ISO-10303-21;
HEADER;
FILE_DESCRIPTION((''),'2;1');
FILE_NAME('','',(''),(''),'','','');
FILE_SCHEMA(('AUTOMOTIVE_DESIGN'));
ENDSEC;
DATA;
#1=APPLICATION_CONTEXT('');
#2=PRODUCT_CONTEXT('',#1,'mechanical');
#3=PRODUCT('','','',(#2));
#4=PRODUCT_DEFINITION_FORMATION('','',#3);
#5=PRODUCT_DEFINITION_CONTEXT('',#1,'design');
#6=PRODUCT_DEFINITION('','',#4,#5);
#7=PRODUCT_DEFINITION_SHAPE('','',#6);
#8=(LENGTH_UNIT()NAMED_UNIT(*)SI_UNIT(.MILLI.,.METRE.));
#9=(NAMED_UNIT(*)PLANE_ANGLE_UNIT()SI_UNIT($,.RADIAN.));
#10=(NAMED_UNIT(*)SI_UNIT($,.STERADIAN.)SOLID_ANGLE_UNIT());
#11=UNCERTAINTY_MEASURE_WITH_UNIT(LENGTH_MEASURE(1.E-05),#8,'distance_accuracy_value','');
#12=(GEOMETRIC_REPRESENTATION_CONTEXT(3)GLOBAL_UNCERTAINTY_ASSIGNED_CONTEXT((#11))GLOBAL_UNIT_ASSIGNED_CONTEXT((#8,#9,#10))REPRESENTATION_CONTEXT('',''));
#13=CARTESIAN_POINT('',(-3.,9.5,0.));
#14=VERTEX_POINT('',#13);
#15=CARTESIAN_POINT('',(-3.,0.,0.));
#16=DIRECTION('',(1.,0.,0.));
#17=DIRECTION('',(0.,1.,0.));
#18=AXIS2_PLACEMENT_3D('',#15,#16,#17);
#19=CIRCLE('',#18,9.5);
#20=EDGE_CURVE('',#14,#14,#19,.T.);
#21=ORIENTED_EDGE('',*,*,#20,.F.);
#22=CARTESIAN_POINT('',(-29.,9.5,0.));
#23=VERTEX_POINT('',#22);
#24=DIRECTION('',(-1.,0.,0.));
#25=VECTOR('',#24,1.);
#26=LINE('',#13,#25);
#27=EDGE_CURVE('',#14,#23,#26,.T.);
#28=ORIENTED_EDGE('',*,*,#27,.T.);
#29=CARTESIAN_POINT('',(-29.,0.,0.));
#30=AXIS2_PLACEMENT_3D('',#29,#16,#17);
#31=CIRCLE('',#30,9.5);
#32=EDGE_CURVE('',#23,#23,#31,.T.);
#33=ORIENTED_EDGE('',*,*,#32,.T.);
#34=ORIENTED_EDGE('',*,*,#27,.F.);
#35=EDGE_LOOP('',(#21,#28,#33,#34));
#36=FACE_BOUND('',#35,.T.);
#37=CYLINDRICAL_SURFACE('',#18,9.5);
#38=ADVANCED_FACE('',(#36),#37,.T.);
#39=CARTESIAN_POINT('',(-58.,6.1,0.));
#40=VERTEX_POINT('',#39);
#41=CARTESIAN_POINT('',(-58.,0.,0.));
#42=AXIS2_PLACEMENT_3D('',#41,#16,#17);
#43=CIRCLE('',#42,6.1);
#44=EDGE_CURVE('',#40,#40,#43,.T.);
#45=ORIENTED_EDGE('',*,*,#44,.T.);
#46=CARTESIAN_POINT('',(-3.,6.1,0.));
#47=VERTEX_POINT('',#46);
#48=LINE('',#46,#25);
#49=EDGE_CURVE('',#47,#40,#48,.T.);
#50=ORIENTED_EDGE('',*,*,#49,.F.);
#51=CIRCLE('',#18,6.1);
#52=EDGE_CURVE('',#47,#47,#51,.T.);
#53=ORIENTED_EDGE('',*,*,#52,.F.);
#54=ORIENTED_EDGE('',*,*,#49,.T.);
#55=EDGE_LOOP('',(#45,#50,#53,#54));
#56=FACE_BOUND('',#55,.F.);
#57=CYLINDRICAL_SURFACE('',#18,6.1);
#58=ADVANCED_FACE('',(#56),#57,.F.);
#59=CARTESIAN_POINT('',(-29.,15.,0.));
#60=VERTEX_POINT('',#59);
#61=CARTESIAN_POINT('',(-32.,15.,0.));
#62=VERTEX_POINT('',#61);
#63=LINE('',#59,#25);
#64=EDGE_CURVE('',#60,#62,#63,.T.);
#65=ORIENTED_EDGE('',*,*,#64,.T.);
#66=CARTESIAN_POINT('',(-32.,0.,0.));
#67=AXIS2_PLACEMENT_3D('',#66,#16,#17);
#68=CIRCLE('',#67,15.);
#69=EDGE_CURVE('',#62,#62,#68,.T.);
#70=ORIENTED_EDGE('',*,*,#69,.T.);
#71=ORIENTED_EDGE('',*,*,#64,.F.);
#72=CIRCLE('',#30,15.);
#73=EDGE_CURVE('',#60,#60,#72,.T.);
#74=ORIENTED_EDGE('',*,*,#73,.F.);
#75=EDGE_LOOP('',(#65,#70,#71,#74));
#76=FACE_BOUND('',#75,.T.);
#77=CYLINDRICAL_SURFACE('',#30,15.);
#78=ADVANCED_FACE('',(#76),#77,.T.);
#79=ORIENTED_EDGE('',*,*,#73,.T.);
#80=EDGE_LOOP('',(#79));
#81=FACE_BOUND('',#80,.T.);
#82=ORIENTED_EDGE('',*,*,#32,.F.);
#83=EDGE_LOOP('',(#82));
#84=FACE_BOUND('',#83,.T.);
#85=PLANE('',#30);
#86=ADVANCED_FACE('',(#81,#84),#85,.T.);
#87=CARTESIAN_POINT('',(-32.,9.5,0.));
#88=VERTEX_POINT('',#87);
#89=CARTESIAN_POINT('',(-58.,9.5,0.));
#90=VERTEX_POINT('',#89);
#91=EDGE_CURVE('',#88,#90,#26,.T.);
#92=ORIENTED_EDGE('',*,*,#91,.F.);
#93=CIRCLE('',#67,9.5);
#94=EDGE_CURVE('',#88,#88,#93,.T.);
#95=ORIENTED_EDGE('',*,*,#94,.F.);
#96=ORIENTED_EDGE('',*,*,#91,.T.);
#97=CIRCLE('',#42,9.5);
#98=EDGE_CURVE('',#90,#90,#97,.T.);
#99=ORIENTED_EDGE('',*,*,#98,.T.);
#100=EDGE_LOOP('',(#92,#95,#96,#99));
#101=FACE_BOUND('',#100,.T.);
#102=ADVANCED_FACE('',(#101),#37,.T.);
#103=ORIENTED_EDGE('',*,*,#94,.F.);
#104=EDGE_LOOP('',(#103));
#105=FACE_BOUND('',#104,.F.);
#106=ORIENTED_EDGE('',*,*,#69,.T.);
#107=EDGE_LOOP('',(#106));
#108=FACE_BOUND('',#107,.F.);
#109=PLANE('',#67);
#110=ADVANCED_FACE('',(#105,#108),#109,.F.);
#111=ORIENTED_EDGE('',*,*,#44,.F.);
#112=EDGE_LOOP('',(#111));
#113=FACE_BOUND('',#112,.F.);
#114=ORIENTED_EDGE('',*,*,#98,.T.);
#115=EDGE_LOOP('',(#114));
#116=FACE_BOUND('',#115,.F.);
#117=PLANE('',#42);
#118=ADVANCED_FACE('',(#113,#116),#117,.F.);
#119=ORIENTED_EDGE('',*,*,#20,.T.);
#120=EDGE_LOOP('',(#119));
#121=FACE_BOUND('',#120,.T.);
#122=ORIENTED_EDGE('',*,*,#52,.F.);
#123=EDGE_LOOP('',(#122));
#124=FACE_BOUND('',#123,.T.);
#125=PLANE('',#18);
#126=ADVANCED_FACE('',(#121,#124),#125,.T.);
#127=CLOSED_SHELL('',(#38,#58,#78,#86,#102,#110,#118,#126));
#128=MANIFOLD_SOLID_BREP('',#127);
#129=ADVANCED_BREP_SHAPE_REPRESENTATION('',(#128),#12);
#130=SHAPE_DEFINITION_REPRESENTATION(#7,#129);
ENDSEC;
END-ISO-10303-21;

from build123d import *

# Parameters (mm, degrees)
F1_START = -3
F0_R     = 9.5
F0_R_2   = 6.1
F1_DEPTH = 55
F2_START = -29
F0_R_3   = 15
F2_DEPTH = 3


with BuildPart() as f1:
    # F0 (on Right) → F1 (new body)
    with BuildSketch(Plane.YZ.offset(F1_START)):
        Circle(F0_R)
        Circle(F0_R_2, mode=Mode.SUBTRACT)
    extrude(amount=-F1_DEPTH)

    # F0 (on Right) → F2 (join)
    with BuildSketch(Plane.YZ.offset(F2_START)):
        Circle(F0_R_3)
        Circle(F0_R, mode=Mode.SUBTRACT)
    extrude(amount=-F2_DEPTH)


solid = f1.part
